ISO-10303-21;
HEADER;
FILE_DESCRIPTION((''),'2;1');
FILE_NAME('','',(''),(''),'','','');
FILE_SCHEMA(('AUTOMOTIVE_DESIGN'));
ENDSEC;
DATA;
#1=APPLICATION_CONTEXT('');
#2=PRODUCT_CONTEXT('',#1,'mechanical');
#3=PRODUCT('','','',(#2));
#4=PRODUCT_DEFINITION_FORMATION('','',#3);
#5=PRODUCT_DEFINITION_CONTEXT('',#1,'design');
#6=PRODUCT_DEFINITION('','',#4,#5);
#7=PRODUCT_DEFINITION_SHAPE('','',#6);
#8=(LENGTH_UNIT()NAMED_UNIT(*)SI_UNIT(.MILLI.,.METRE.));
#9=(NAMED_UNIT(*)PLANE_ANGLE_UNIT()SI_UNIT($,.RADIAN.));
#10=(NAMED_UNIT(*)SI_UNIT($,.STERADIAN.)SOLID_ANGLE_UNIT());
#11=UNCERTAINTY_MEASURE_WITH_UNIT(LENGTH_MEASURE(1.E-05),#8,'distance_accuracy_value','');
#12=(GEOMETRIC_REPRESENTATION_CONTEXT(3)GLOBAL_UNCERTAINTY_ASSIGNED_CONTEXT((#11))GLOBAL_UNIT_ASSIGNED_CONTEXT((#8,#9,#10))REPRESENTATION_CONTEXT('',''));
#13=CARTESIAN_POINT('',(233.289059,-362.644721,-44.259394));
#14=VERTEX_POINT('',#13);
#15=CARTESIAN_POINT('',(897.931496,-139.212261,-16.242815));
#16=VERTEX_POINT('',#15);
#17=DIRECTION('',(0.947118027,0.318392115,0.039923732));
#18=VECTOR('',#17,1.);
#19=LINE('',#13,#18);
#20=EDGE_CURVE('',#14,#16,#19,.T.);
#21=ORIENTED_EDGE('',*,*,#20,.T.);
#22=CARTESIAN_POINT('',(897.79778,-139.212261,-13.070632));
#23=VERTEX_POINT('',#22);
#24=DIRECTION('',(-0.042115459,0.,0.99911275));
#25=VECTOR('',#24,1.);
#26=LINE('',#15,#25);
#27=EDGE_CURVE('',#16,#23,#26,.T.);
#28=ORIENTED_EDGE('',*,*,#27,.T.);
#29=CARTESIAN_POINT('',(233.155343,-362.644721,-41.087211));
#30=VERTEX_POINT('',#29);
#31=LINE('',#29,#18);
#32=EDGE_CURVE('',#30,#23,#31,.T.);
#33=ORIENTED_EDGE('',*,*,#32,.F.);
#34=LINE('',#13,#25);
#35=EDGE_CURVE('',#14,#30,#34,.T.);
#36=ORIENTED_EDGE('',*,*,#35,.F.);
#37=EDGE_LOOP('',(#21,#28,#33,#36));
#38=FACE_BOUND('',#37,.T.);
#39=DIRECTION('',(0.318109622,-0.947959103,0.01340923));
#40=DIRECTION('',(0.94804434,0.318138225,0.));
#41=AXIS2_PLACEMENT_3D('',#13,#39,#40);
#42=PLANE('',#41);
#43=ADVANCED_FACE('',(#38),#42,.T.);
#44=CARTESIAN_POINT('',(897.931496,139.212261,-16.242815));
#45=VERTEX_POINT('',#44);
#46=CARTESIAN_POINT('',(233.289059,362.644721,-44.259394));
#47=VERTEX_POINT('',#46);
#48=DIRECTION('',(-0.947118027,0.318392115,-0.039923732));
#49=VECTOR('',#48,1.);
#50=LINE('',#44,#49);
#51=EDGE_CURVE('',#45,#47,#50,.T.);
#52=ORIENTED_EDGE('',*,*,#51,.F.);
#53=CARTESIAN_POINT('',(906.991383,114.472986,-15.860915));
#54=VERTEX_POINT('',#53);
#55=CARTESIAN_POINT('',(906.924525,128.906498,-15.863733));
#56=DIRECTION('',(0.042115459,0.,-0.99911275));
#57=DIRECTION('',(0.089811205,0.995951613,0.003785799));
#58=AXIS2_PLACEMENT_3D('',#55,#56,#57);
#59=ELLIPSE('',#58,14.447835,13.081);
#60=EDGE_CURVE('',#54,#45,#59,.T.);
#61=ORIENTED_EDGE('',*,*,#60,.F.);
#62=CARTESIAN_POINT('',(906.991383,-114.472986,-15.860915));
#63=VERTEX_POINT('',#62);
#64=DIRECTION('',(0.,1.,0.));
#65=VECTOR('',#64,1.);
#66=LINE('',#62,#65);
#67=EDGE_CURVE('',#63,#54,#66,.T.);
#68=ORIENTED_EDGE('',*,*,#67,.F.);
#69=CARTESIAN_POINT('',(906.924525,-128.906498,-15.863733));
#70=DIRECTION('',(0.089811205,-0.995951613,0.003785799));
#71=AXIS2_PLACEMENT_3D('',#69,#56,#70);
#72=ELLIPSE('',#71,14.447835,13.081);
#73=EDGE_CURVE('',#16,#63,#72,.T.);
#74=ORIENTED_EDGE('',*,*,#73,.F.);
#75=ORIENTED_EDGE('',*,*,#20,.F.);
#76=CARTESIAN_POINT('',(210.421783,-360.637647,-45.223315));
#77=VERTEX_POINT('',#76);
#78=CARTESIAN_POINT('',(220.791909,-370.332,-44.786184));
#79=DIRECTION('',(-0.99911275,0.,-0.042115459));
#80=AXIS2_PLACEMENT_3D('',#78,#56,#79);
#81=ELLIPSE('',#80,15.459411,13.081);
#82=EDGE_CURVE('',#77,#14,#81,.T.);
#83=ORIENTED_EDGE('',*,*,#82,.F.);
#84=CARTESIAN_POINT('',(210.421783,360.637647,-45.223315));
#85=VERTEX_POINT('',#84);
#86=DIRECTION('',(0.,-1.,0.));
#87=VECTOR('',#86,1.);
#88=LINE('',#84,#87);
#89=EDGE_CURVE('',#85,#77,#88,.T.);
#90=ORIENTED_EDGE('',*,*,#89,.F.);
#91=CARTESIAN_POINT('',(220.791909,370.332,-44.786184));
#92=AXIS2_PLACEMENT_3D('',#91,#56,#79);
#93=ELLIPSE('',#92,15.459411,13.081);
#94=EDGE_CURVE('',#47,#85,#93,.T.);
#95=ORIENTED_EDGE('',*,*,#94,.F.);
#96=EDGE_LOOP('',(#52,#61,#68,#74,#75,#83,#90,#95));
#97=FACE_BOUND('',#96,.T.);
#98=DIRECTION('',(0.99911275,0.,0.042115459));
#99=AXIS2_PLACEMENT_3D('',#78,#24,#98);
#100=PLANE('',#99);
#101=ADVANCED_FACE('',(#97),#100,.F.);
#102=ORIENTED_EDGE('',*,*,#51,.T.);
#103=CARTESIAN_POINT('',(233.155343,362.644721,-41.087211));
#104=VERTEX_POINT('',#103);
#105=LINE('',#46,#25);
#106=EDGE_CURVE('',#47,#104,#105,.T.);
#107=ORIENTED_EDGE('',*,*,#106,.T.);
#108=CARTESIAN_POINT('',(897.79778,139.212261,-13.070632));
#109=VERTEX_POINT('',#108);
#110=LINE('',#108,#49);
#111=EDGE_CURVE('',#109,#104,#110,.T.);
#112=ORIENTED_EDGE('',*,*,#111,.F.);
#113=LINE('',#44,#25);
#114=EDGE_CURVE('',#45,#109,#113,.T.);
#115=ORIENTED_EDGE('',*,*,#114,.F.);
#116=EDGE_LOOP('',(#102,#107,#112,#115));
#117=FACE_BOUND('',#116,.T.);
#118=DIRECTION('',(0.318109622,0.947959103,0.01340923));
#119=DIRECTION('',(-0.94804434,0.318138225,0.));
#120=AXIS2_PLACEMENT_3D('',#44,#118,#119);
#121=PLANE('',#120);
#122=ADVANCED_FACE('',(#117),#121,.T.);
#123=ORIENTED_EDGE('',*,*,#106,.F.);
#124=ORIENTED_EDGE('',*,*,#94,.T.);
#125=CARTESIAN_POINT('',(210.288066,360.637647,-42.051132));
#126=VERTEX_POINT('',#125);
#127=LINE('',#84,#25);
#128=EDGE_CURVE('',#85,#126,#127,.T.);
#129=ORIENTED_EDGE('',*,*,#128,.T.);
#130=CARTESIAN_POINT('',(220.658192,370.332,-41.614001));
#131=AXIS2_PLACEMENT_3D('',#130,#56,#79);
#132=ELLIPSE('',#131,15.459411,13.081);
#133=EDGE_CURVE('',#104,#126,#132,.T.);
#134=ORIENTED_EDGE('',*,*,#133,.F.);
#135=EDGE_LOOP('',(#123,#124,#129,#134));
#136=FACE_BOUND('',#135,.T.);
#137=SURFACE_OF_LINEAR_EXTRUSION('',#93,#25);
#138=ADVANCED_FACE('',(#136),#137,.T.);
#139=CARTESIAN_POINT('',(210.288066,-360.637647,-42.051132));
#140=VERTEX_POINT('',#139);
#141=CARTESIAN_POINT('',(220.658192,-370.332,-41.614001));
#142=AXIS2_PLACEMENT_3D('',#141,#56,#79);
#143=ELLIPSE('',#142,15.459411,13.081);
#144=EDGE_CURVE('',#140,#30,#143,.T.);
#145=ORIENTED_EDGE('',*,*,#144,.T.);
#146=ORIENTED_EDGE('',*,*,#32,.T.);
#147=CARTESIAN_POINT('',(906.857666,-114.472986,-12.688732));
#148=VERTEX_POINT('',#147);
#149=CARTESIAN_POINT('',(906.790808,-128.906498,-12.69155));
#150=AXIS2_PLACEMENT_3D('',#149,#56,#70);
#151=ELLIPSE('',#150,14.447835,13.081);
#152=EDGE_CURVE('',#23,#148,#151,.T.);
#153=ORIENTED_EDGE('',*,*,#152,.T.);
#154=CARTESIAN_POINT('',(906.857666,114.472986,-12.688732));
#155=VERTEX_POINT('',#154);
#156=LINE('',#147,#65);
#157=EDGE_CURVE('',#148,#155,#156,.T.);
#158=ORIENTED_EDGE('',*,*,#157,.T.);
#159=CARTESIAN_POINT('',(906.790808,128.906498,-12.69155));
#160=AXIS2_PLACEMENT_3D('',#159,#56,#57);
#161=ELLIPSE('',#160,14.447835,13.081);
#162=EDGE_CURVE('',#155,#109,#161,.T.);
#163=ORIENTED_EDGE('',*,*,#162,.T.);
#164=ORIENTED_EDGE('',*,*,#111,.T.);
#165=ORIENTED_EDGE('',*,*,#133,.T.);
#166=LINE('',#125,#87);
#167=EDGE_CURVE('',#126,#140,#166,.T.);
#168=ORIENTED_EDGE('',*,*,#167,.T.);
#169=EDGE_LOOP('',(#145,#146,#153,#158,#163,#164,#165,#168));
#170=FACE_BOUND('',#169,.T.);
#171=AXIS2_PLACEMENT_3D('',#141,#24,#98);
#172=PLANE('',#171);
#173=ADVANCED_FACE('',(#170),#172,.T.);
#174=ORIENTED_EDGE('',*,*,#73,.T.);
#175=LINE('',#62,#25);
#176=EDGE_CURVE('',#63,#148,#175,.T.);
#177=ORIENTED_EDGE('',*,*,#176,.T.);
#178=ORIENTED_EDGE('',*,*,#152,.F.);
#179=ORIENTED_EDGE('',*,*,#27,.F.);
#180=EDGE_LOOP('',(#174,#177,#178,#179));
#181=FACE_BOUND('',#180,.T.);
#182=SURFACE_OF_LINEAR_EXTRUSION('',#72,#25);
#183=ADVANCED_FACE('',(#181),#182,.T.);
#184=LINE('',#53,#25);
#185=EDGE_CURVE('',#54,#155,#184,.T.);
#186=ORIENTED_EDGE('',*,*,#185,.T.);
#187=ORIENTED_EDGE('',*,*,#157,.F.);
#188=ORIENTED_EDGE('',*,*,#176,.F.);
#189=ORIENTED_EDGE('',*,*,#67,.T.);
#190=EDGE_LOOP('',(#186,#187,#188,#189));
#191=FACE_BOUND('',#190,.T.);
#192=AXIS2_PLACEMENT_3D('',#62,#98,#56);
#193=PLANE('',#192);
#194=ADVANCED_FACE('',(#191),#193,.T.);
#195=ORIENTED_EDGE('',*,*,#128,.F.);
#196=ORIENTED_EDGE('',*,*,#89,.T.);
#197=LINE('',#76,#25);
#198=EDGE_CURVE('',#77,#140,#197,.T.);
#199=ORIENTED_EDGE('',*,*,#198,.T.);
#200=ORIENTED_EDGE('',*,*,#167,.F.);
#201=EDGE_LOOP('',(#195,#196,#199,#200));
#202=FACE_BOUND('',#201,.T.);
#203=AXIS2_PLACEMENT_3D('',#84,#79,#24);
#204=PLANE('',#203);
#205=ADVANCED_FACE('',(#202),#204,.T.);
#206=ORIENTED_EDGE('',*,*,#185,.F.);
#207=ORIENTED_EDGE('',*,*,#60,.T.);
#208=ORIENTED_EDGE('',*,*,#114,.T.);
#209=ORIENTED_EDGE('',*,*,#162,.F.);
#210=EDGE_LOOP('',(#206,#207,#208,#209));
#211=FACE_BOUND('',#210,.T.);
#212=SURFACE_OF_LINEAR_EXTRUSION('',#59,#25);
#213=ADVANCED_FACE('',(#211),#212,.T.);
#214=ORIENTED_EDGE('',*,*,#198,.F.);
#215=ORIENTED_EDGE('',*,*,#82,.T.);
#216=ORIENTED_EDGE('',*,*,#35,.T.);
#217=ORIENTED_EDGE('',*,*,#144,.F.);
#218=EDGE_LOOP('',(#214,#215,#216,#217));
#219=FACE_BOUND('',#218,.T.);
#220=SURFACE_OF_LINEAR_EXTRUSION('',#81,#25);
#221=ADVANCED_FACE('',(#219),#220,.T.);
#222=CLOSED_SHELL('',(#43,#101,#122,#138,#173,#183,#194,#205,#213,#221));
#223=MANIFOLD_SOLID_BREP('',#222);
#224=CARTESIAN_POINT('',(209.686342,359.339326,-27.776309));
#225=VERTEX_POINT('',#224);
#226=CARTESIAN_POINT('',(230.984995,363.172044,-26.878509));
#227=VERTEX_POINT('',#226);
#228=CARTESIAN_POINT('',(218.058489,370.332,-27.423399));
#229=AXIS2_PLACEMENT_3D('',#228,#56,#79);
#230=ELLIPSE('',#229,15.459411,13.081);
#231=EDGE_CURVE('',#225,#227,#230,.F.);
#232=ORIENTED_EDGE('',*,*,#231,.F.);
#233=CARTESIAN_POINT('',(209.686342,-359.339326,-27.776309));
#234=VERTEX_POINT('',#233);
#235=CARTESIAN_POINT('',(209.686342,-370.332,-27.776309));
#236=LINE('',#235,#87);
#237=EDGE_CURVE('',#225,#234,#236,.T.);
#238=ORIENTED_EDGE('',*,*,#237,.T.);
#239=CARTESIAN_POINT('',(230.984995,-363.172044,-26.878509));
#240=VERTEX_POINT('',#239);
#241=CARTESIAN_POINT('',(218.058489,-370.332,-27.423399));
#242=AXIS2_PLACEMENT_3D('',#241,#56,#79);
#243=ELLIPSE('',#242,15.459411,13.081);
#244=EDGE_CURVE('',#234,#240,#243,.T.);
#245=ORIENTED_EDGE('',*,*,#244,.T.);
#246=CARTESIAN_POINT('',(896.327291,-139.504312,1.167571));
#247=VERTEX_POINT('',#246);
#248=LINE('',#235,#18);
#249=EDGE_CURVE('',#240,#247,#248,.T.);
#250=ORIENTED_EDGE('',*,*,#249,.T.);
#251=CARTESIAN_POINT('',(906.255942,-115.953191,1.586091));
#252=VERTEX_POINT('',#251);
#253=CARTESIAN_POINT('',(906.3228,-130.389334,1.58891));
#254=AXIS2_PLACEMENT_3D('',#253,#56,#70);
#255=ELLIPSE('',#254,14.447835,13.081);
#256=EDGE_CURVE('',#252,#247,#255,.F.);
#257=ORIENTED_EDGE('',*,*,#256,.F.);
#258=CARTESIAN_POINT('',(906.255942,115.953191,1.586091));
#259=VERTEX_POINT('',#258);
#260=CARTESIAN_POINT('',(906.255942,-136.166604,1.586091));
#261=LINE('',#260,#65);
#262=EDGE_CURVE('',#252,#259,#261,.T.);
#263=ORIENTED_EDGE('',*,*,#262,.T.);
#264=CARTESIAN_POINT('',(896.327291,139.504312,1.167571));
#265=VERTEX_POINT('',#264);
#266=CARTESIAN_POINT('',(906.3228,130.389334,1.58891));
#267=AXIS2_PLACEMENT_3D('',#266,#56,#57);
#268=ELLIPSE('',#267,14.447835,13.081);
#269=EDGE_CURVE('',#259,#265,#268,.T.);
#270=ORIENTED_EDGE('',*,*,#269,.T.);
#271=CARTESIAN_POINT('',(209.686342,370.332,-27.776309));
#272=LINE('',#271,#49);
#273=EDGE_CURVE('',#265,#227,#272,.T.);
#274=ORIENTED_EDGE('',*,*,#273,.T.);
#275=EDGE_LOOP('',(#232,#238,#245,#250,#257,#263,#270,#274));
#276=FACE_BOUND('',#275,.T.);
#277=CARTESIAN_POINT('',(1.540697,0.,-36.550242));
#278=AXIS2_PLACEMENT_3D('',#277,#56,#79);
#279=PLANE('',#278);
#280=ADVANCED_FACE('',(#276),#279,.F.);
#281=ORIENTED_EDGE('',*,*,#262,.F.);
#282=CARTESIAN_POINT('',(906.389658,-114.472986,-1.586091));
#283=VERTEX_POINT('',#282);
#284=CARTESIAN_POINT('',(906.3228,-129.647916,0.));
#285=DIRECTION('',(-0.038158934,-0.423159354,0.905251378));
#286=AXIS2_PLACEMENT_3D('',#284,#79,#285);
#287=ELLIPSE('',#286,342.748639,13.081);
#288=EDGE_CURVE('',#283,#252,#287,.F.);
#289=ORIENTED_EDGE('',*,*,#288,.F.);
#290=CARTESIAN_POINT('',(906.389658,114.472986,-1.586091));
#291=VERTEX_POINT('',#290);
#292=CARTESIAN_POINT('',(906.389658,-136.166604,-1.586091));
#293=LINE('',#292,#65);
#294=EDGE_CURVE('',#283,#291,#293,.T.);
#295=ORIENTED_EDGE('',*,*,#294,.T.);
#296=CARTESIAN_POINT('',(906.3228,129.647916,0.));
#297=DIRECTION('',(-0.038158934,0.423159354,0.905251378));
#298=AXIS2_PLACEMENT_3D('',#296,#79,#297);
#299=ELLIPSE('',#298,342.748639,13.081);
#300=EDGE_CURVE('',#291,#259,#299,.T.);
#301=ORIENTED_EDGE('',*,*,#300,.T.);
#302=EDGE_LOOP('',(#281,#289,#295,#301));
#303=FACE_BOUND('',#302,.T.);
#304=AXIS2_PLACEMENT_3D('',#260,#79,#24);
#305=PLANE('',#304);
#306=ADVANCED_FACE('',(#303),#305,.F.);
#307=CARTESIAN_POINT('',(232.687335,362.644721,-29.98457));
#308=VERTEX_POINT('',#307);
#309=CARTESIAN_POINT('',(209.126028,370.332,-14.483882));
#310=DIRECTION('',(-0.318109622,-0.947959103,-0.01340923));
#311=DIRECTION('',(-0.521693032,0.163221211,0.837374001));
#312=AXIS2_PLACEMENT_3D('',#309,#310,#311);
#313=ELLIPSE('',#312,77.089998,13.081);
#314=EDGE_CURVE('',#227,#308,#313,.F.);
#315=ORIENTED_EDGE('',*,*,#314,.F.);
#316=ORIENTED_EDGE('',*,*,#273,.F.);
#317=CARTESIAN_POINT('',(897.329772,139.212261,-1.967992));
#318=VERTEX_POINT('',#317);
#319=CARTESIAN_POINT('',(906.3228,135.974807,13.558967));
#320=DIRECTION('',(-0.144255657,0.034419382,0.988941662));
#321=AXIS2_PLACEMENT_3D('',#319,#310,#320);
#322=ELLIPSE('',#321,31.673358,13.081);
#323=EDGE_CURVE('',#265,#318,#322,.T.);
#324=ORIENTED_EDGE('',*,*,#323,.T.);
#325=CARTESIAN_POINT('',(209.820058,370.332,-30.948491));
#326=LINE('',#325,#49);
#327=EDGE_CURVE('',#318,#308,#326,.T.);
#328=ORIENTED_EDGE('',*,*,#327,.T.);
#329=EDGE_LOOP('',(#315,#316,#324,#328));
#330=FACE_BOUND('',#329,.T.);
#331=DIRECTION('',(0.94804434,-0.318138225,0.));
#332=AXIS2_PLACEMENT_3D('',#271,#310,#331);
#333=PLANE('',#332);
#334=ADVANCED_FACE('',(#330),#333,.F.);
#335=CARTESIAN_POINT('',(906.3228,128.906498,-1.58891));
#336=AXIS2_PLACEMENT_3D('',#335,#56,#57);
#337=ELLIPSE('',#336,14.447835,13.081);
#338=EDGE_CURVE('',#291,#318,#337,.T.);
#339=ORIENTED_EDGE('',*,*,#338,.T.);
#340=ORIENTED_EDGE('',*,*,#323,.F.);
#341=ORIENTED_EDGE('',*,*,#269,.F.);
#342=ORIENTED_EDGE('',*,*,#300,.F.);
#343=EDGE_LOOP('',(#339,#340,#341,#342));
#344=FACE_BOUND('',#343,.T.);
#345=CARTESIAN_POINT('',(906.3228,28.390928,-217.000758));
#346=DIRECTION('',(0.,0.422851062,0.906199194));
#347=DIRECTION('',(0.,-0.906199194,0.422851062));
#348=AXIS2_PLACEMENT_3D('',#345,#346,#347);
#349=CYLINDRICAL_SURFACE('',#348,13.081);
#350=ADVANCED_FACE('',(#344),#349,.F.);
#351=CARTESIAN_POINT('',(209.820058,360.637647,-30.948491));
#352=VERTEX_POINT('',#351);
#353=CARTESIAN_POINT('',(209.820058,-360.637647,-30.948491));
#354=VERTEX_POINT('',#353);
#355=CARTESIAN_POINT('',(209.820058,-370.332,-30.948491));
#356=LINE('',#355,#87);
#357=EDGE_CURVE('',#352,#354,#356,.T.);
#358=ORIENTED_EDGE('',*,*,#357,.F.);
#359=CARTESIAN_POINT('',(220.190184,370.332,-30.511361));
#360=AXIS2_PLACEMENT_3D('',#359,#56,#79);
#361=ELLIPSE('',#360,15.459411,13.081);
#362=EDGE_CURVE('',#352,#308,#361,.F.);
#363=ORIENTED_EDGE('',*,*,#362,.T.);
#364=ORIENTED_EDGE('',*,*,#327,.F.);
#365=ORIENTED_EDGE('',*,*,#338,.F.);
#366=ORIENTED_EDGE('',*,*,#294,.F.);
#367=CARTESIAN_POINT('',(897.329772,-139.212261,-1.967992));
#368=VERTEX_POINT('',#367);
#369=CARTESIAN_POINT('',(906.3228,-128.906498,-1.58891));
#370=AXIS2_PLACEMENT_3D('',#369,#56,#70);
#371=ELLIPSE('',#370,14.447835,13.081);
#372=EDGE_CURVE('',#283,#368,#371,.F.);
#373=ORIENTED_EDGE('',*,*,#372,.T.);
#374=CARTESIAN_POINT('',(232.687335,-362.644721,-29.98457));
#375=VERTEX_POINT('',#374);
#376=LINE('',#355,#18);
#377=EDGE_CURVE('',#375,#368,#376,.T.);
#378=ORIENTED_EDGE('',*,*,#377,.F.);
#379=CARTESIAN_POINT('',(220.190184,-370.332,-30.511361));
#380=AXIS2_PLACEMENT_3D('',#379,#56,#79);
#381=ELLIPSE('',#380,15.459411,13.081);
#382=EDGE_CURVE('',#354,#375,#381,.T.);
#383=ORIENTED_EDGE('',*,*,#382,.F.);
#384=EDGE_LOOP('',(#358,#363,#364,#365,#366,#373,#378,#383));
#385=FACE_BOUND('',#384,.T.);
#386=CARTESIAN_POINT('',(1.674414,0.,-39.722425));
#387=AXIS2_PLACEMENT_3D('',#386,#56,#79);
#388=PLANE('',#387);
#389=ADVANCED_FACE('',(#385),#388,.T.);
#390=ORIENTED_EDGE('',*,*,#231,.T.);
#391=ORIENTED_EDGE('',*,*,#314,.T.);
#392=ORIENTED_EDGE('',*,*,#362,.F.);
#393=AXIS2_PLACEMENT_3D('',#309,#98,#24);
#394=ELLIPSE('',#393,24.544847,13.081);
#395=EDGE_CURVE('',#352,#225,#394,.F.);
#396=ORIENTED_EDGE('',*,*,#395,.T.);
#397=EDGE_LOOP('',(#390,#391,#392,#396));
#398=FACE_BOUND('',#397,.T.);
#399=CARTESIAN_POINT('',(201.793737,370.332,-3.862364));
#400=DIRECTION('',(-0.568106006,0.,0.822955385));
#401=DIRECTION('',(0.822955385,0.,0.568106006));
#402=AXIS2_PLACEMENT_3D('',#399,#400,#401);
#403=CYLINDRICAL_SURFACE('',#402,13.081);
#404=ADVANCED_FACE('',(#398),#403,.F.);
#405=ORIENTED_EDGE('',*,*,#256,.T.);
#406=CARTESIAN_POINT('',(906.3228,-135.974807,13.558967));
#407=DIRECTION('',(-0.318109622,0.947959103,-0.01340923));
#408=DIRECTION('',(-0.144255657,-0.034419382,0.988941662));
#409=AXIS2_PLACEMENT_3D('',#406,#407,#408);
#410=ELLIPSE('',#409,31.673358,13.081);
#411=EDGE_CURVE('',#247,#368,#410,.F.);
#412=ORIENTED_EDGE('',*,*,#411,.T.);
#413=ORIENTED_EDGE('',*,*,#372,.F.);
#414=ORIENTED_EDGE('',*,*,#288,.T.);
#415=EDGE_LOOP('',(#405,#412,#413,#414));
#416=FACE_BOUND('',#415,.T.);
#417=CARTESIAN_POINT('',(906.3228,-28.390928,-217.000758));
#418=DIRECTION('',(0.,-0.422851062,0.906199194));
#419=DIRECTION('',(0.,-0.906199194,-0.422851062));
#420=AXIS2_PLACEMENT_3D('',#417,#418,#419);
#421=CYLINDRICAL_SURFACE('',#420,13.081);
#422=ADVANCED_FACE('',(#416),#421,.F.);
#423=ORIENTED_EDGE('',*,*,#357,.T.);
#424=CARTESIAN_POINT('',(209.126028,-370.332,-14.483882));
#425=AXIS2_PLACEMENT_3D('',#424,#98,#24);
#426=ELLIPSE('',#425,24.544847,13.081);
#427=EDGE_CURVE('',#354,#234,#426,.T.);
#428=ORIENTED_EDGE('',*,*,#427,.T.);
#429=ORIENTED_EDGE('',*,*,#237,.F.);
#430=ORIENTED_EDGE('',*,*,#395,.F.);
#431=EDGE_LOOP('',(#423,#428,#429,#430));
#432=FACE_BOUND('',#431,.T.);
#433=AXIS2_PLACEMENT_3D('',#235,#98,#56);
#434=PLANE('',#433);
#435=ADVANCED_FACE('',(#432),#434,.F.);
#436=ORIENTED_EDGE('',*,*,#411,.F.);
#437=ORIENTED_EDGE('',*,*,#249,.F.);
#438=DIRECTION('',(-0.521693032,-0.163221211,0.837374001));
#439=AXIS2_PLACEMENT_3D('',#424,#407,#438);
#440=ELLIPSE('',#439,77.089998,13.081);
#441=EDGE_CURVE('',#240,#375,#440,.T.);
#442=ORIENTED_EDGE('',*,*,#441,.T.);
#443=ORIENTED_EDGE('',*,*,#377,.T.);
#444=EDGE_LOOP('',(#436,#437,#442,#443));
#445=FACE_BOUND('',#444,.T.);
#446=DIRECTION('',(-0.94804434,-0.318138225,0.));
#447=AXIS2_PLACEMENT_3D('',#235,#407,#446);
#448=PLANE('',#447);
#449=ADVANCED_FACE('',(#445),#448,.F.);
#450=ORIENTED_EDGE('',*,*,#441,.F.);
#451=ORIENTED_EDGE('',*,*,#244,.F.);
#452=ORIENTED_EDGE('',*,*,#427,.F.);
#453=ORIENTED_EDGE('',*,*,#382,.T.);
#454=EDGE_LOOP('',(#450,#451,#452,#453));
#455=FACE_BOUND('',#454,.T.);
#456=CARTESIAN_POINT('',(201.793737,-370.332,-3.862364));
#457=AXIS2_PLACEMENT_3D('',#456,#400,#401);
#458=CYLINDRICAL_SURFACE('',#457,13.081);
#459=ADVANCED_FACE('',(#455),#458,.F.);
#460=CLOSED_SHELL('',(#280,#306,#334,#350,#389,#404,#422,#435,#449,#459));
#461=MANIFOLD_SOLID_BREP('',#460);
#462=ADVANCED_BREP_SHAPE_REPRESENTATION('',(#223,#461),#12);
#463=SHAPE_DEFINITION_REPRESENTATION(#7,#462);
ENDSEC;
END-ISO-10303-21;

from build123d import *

# Parameters (mm, degrees)
BOSS_EXTRUDE1_DEPTH = 1.5875
SKETCH2_R           = 13.081
CUT_EXTRUDE1_DEPTH  = 901.16952554
SKETCH3_R           = 13.081
CUT_EXTRUDE2_DEPTH  = 1194.175059072
BOSS_EXTRUDE2_DEPTH = 3.175


with BuildPart() as part:
    # Sketch1 → Boss-Extrude1 (new, symmetric)
    with BuildSketch(Plane(origin=(1.607555501, 0, -38.136333964), x_dir=(0.9991127504631488, 0, 0.04211545870534549), z_dir=(-0.04211545870534549, 0, 0.999112750463149))):
        Polygon((208.330485626, 370.332), (905.518665515, 136.166603714), (905.518665515, -136.166603714), (208.330485626, -370.332), align=None)
    extrude(amount=BOSS_EXTRUDE1_DEPTH, both=True)

    # Sketch2 → Cut-Extrude1 (cut, through all)
    with BuildSketch(Plane(origin=(906.3228, 181.675109228, 111.497888082), x_dir=(1, 0, 0), z_dir=(0, 0.4228510617538768, 0.9061991942026981))):
        Circle(SKETCH2_R)
    cut_extrude1 = extrude(amount=-CUT_EXTRUDE1_DEPTH, mode=Mode.SUBTRACT)

    # Mirror1: Cut-Extrude1 across plane
    add(cut_extrude1.mirror(Plane.ZX), mode=Mode.SUBTRACT)

    # Sketch3 → Cut-Extrude2 (cut, symmetric)
    with BuildSketch(Plane(origin=(18.074015753, 370.332, 262.27306283), x_dir=(-0.8229553854788443, 0, -0.56810600552306), z_dir=(0.56810600552306, 0, -0.8229553854788443))):
        Circle(SKETCH3_R)
    cut_extrude2 = extrude(amount=CUT_EXTRUDE2_DEPTH, both=True, mode=Mode.SUBTRACT)

    # Mirror2: Cut-Extrude2 across plane
    add(cut_extrude2.mirror(Plane.ZX), mode=Mode.SUBTRACT)


with BuildPart() as body_2:
    # Sketch4 → Boss-Extrude2 (new body)
    with BuildSketch(Plane(origin=(2.142421827, 0, -50.825065895), x_dir=(0.9991127504631488, 0, 0.04211545870534549), z_dir=(-0.04211545870534549, 0, 0.999112750463149))):
        with BuildLine():
            Line((208.330485626, 360.637647396), (208.330485626, -360.637647396))
            add(Edge.make_bspline(
                [(231.218068965, -362.644721045), (221.095702884, -350.852329213), (208.330485626, -360.637647396)],
                knots=[3.769765679, 3.769765679, 3.769765679, 5.44847537, 5.44847537, 5.44847537], degree=2, weights=[1, 0.667943097, 1]))
            Line((231.218068965, -362.644721045), (896.450733287, -139.212260547))
            add(Edge.make_bspline(
                [(905.518665515, -114.472985943), (872.399197719, -113.635488894), (896.450733287, -139.212260547)],
                knots=[3.037122544, 3.037122544, 3.037122544, 5.425802301, 5.425802301, 5.425802301], degree=2, weights=[1, 0.367627377, 1]))
            Line((905.518665515, -114.472985943), (905.518665515, 114.472985943))
            add(Edge.make_bspline(
                [(896.450733287, 139.212260547), (872.399197719, 113.635488894), (905.518665515, 114.472985943)],
                knots=[0.857383007, 0.857383007, 0.857383007, 3.246062763, 3.246062763, 3.246062763], degree=2, weights=[1, 0.367627377, 1]))
            Line((896.450733287, 139.212260547), (231.218068965, 362.644721045))
            add(Edge.make_bspline(
                [(208.330485626, 360.637647396), (221.095702884, 350.852329213), (231.218068965, 362.644721045)],
                knots=[0.834709937, 0.834709937, 0.834709937, 2.513419628, 2.513419628, 2.513419628], degree=2, weights=[1, 0.667943097, 1]))
        make_face()
    extrude(amount=-BOSS_EXTRUDE2_DEPTH)


solid = Compound([part.part, body_2.part])
